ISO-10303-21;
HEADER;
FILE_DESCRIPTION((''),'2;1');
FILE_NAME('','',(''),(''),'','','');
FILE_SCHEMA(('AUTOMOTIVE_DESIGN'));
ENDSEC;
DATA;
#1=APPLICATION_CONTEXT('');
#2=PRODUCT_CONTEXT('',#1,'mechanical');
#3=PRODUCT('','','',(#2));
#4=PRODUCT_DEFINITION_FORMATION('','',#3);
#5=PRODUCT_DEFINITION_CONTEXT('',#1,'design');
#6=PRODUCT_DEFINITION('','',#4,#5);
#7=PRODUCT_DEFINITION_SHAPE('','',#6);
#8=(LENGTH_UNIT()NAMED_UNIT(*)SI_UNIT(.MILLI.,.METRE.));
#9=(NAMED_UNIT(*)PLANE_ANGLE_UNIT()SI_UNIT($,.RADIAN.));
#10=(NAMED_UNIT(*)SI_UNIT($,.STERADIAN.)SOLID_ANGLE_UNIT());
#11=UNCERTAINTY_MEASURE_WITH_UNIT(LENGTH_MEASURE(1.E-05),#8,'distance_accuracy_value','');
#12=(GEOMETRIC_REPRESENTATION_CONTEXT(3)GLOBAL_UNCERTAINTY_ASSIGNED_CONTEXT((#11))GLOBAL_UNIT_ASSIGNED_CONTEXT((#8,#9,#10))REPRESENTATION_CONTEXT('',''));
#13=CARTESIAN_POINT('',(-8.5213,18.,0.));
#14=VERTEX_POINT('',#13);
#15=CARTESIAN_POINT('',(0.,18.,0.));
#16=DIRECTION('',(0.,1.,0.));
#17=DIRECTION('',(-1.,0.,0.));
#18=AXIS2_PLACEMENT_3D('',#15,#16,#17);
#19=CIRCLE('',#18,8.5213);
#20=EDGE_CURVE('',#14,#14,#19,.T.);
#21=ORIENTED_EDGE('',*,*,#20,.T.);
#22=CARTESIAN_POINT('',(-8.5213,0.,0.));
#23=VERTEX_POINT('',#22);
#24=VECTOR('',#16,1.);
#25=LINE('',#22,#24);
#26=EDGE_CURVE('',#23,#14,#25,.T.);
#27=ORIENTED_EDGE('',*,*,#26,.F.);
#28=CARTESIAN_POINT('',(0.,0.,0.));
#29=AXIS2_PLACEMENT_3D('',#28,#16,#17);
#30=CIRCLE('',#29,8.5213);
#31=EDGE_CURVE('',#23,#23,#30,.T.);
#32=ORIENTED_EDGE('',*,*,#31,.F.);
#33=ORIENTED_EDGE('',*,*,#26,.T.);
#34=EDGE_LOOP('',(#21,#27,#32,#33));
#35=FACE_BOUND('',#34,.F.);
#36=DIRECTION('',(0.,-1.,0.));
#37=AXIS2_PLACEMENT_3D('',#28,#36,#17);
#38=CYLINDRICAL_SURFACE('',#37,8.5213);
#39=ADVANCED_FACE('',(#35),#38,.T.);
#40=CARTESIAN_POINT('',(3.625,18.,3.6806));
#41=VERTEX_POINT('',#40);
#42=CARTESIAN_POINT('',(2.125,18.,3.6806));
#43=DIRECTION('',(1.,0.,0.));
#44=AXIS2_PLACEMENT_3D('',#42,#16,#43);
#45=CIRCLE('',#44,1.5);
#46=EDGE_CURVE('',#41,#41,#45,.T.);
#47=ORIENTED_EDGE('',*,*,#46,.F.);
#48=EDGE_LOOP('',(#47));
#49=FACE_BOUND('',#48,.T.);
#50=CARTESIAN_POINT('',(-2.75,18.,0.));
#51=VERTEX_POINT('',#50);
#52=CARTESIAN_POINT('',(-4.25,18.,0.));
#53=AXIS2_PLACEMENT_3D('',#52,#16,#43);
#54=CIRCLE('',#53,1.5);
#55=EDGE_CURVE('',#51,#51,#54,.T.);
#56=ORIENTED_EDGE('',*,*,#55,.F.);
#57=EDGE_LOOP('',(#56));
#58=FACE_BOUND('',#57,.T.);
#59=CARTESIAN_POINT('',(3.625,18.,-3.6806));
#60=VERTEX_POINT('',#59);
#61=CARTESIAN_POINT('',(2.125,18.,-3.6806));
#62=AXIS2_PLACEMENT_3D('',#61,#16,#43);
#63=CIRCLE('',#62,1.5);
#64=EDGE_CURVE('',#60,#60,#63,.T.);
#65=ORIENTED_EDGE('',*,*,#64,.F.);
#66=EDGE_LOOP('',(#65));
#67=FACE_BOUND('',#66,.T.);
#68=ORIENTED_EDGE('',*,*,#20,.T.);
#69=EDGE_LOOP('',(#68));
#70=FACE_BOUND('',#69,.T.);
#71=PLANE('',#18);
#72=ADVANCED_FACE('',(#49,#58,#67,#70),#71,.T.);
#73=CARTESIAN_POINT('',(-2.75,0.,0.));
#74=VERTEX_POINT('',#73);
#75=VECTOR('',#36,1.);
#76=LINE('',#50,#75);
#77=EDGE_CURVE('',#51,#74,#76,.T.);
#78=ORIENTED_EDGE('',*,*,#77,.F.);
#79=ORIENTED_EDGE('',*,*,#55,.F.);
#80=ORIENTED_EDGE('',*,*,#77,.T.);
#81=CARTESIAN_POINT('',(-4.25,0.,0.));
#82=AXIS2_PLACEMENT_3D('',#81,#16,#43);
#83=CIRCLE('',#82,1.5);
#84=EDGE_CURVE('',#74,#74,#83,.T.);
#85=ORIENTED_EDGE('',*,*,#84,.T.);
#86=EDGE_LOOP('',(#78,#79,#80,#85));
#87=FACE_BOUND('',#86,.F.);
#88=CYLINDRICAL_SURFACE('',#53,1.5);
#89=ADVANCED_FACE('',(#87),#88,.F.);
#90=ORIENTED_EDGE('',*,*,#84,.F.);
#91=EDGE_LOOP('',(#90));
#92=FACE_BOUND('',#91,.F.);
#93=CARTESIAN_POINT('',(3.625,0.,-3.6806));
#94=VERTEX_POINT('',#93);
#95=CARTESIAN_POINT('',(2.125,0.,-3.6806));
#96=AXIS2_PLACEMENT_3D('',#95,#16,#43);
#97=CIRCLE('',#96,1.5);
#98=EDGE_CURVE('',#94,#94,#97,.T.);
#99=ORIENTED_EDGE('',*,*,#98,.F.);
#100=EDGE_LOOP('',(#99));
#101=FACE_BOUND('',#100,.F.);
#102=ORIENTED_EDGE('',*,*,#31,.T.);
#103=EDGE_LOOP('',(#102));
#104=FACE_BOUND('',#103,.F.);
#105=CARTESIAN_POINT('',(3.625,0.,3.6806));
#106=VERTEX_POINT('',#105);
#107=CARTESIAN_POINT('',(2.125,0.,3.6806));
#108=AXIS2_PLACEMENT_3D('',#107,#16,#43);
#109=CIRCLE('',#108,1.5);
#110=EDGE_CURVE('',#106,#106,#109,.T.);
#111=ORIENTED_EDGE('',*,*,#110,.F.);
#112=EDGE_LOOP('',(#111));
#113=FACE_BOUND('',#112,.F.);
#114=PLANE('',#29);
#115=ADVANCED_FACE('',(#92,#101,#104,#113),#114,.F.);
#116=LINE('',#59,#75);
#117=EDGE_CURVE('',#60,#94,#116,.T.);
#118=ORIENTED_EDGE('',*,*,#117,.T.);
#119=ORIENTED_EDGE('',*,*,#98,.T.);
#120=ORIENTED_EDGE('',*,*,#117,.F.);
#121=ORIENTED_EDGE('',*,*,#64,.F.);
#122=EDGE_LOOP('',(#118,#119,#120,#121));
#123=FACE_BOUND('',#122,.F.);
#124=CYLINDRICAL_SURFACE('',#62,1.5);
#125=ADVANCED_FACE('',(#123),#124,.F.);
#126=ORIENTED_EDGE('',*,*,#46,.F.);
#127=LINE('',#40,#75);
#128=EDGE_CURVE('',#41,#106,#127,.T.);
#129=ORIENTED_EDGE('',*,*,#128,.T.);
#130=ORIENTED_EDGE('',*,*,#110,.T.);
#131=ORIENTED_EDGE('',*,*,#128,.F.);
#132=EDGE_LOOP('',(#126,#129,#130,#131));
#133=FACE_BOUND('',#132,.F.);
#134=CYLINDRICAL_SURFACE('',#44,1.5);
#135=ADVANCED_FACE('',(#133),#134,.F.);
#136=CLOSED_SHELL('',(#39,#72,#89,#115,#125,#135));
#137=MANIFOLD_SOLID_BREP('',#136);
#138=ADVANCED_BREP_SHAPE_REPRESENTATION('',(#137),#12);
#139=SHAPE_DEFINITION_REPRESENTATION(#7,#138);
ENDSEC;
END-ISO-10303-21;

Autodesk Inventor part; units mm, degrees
ref_plane "YZ Plane" through (0, 0, 0) normal (1, 0, 0) x (0, 1, 0)
ref_plane "XZ Plane" through (0, 0, 0) normal (0, 1, 0) x (-1, 0, 0)
ref_plane "XY Plane" through (0, 0, 0) normal (0, 0, 1) x (1, 0, 0)
sketch "Sketch1" plane through (0, 0, 0) normal (0, 1, 0) x (-1, 0, 0)
  circle A0 centre (0, 0) radius 8.5213
  dimension "d0" = 17.0425
extrude "Extrusion1" add sketch "Sketch1" along normal blind 18
sketch "Sketch2" plane through (0, 18, 0) normal (0, 1, 0) x (1, 0, 0)
  circle A0 centre (0, 0) radius 8.5213 projected
  circle A1 centre (0, 0) radius 4.25 construction
  circle A2 centre (-4.25, 0) radius 1.5
  circle A3 centre (2.125, -3.6806) radius 1.5
  circle A4 centre (2.125, 3.6806) radius 1.5
  dimension "d3" = 8.5
  dimension "d4" = 3
  dimension "d7" = 360
extrude "Extrusion2" cut sketch "Sketch2" against normal through all contours A2 | A3 | A4
properties part number "thigh_joint"
